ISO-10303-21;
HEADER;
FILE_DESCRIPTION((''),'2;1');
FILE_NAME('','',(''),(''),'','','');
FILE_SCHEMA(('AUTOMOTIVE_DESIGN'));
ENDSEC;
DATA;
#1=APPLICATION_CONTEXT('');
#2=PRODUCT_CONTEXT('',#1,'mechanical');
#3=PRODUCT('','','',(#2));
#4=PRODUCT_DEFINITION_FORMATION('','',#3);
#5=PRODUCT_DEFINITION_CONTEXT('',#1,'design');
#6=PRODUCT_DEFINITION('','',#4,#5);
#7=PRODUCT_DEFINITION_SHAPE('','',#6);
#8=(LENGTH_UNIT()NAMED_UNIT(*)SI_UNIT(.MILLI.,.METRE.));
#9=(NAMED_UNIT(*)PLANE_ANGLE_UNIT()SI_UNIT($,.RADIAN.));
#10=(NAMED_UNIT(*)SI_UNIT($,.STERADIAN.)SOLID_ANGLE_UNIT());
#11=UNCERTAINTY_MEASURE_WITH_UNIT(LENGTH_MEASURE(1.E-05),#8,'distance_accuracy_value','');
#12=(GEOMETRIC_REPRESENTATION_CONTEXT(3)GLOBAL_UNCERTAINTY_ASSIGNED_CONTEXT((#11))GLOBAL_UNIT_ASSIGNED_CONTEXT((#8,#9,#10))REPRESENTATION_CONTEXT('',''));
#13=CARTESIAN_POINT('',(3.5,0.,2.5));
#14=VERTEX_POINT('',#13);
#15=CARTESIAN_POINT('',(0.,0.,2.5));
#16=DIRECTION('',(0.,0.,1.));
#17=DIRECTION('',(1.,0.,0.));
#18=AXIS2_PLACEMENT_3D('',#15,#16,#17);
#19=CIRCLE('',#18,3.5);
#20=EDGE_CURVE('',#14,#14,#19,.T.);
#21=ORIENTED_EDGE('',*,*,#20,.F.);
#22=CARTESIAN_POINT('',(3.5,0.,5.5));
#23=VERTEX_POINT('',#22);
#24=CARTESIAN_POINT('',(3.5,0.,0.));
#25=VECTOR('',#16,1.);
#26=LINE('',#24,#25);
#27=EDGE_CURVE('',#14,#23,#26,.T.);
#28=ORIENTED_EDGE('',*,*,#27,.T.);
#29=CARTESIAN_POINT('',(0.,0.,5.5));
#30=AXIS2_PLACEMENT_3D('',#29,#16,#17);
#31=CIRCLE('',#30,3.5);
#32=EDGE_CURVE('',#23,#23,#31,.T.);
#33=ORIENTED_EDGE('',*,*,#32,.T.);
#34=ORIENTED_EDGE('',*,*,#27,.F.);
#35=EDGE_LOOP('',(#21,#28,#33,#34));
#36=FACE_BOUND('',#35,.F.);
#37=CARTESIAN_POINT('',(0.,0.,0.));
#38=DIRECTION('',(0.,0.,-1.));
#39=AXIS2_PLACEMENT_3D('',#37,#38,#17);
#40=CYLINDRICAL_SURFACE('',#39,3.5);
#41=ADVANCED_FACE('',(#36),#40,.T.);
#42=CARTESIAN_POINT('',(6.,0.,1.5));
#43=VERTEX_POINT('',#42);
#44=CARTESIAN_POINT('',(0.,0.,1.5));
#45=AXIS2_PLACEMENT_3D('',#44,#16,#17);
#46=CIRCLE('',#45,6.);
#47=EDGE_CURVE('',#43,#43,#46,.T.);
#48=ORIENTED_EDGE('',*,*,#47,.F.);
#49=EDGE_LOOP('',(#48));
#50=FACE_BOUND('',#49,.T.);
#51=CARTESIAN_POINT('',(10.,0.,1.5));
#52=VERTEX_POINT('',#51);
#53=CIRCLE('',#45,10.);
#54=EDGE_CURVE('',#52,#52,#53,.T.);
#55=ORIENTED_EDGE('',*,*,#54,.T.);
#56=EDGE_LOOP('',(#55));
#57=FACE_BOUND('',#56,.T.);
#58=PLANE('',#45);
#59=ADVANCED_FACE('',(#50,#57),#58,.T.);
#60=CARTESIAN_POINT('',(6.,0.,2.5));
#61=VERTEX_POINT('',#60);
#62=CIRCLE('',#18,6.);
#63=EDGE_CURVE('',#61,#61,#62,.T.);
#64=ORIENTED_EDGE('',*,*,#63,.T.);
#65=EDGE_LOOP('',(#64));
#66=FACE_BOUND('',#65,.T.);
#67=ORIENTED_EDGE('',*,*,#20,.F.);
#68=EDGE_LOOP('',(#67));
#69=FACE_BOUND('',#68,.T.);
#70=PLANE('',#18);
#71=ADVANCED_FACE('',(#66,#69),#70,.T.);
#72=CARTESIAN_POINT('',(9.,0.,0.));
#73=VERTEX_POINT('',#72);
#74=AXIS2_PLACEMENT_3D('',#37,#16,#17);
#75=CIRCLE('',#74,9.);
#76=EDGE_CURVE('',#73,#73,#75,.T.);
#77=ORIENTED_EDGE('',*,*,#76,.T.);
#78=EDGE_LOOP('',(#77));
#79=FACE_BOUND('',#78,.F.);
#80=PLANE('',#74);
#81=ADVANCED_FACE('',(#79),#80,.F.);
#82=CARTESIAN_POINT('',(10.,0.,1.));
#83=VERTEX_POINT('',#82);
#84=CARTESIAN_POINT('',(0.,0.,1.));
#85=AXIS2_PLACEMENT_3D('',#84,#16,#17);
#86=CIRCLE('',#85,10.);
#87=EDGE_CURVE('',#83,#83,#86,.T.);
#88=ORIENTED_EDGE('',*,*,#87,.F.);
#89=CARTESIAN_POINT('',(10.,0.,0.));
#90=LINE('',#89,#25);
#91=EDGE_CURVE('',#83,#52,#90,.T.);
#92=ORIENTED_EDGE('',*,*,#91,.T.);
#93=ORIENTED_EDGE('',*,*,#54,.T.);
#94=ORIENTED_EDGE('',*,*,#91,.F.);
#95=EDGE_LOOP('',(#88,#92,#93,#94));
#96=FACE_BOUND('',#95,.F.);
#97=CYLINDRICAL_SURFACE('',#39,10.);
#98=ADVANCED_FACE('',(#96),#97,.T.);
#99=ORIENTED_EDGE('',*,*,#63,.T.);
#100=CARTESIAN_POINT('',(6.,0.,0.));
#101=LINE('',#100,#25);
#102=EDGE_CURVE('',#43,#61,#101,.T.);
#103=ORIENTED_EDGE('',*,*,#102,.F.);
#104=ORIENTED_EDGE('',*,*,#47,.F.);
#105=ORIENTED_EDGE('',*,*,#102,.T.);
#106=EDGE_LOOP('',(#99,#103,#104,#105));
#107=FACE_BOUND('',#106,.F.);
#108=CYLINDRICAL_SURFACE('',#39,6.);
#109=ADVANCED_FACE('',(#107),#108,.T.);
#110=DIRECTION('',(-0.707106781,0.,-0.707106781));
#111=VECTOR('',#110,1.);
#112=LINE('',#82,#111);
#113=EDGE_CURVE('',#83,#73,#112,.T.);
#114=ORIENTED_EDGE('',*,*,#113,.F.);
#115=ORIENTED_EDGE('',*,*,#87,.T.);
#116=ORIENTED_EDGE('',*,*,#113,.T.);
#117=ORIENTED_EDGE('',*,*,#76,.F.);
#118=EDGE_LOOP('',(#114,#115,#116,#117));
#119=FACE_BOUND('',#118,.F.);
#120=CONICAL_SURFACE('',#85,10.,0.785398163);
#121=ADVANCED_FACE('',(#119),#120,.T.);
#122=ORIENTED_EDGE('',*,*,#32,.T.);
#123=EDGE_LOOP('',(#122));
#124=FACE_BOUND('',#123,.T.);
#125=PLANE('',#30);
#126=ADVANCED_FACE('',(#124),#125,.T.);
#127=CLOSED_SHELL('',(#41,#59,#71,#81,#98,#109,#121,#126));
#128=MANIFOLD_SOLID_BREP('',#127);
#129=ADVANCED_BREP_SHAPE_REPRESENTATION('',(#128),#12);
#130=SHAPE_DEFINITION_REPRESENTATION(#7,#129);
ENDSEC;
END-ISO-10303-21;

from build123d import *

# Parameters (mm, degrees)
F0_R     = 10
F0_R_2   = 6
F1_DEPTH = 1.5
F0_R_3   = 3.5
F2_DEPTH = 2.5
F3_DEPTH = 5.5
F4_SIZE  = 1


with BuildPart() as f1:
    # F0 (on Top) → F1 (new body)
    with BuildSketch(Plane.XY):
        Circle(F0_R)
        Circle(F0_R_2, mode=Mode.SUBTRACT)
    extrude(amount=F1_DEPTH)

    # F0 (on Top) → F2 (join)
    with BuildSketch(Plane.XY):
        Circle(F0_R_2)
        Circle(F0_R_3, mode=Mode.SUBTRACT)
    extrude(amount=F2_DEPTH)

    # F0 (on Top) → F3 (join)
    with BuildSketch(Plane.XY):
        Circle(F0_R_3)
    extrude(amount=F3_DEPTH)

    # F4
    f4_edges = [f1.edges().sort_by_distance(p)[0] for p in [
        (-10, 0, 0),
    ]]
    chamfer(f4_edges, length=F4_SIZE)


solid = f1.part
